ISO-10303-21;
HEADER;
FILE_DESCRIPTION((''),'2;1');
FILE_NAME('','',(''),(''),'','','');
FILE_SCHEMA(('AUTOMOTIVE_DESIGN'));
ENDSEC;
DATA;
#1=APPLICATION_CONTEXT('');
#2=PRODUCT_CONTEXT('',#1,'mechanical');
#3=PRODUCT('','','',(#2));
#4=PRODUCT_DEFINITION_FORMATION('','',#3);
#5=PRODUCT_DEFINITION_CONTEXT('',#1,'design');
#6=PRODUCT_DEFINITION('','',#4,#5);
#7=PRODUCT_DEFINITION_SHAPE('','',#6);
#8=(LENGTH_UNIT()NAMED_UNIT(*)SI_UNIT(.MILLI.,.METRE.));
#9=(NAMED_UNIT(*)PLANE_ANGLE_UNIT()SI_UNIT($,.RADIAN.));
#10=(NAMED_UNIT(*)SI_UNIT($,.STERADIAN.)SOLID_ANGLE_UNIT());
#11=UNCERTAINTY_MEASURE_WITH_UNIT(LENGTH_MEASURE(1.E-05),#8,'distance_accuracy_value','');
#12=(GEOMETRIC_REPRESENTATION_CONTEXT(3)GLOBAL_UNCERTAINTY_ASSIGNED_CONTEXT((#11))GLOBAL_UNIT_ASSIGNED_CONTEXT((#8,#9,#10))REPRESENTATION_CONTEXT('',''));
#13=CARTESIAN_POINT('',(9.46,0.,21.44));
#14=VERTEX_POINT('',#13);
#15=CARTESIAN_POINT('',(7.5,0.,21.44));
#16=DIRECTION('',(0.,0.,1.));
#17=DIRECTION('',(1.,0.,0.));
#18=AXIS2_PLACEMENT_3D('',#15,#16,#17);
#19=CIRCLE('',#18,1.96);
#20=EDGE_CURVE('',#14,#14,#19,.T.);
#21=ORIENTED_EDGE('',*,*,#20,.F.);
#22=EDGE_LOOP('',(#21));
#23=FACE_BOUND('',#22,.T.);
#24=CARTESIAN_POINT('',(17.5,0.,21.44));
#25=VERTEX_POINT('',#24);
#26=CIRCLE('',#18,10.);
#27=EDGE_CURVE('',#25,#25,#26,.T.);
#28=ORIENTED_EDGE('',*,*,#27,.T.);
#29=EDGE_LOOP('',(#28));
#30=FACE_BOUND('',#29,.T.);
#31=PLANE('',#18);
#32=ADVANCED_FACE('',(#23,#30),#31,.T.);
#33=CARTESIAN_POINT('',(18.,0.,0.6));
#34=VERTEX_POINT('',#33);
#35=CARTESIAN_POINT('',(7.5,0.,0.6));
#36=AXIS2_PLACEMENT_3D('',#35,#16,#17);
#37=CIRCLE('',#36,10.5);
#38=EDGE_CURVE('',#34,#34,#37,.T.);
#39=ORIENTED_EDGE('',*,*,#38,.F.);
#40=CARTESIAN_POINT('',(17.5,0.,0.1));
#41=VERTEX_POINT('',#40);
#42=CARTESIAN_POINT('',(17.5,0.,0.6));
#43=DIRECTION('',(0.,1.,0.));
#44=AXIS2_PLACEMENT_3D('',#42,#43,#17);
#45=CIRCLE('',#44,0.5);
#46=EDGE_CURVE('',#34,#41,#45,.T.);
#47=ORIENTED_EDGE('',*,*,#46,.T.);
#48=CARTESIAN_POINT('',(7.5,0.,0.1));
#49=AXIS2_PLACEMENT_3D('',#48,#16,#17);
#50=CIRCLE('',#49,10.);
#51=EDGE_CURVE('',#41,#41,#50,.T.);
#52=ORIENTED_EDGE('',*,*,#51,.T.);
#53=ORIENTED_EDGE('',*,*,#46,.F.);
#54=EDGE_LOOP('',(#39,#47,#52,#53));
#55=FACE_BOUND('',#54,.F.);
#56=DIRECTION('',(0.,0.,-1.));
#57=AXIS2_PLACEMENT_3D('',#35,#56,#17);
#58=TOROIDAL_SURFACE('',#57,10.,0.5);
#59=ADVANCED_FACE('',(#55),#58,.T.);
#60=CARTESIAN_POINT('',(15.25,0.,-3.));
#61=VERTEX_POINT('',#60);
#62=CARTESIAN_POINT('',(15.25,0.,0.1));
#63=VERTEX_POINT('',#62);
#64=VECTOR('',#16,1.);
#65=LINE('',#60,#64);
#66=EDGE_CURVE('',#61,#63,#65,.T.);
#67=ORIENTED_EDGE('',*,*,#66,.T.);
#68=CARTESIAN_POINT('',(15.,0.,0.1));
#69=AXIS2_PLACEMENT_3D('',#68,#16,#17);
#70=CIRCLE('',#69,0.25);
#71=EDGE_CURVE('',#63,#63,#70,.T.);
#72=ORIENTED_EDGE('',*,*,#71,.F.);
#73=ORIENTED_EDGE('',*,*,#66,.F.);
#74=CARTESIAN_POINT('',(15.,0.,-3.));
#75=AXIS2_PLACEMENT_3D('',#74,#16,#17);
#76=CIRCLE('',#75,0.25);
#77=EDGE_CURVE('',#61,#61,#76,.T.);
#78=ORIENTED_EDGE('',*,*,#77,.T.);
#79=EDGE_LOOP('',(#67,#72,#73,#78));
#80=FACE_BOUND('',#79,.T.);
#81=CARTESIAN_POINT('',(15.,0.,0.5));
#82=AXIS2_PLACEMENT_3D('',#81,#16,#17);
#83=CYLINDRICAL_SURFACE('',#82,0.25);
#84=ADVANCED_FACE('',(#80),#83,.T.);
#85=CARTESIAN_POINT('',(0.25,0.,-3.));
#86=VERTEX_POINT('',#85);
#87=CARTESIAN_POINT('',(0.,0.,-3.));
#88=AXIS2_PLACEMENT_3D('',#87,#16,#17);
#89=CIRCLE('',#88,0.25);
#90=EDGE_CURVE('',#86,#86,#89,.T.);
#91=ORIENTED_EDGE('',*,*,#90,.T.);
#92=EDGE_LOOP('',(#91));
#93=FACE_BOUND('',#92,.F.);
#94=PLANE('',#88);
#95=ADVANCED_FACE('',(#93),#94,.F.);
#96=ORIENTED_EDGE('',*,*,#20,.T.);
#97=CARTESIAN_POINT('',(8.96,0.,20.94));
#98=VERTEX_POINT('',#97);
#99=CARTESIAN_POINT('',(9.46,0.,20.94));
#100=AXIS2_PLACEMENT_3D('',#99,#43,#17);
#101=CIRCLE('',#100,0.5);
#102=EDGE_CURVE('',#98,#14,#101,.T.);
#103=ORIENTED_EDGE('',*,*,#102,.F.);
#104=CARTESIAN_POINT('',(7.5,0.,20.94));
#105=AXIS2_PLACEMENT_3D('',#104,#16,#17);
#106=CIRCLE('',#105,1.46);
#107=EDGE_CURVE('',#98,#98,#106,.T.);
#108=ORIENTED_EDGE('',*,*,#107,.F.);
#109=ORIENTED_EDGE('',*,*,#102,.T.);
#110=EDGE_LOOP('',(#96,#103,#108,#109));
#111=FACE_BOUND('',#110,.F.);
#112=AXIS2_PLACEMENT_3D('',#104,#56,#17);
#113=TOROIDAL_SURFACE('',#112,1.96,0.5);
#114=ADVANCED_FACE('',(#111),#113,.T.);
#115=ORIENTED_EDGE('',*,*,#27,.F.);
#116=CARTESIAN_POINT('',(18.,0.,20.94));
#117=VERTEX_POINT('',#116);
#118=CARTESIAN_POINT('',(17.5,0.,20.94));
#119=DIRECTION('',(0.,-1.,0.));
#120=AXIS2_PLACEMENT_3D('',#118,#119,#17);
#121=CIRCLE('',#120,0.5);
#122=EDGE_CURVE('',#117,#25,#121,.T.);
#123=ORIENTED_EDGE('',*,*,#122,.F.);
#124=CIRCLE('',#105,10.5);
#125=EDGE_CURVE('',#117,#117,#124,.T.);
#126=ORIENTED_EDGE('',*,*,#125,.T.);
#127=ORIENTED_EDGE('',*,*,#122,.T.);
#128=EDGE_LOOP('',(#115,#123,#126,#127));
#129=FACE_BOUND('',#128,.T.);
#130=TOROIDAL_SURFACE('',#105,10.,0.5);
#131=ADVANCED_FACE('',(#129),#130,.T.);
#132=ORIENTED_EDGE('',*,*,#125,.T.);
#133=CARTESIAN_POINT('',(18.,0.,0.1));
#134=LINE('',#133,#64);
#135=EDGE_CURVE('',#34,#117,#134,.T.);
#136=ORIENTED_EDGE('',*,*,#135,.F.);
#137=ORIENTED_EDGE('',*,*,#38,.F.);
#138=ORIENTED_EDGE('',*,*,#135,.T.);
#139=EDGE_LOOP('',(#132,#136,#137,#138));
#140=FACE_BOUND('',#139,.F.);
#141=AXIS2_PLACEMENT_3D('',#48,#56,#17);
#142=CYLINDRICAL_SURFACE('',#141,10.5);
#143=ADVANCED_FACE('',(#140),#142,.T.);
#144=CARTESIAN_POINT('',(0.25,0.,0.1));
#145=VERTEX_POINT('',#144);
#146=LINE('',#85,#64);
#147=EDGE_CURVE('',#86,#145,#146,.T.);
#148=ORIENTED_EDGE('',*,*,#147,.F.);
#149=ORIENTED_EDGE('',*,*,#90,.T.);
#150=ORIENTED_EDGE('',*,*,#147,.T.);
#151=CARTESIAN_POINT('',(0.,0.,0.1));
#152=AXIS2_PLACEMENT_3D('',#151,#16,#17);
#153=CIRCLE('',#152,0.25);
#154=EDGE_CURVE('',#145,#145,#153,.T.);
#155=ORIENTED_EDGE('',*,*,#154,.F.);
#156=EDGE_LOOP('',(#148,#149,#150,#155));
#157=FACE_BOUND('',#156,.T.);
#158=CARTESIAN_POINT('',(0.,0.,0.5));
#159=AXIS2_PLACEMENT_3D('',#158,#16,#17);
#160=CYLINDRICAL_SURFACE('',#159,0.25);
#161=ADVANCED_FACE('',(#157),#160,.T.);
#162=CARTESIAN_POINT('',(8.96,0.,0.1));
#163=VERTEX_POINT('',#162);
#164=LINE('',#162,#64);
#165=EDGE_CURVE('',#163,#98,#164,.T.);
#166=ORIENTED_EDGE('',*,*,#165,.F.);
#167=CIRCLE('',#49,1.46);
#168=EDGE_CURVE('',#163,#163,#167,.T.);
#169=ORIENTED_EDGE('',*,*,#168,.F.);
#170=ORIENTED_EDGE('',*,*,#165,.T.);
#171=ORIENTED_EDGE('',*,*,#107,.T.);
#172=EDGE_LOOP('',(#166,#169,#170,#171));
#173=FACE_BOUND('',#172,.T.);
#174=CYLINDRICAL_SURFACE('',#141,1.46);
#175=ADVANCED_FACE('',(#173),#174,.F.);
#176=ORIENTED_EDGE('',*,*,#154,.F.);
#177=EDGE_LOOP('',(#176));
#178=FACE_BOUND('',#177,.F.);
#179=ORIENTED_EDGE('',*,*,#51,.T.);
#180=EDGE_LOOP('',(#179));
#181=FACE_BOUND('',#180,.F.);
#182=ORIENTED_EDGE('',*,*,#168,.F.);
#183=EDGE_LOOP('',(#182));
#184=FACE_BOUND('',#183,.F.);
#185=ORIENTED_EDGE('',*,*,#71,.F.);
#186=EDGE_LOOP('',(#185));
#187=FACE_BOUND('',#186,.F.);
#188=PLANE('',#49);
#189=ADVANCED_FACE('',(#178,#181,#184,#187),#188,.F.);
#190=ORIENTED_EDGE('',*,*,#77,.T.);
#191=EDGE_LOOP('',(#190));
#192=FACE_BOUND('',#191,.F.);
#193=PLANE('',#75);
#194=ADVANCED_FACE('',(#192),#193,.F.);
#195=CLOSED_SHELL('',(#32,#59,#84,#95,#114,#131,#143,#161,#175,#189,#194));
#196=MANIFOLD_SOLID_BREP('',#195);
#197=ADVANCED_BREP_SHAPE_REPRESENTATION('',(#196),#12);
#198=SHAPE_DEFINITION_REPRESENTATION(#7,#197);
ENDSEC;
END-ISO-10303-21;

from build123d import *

# Parameters (mm, degrees)
SKETCH001_R       = 0.25
PAD001_DEPTH      = 10.67
PAD001_DEPTH_BACK = 3.5
SKETCH_R          = 10.5
SKETCH_R_2        = 1.46
PAD_DEPTH         = 21.34
FILLET_R          = 0.5


with BuildPart() as pad001:
    # Sketch001 → Pad001 (new body, two sides)
    with BuildSketch(Plane.XY.offset(0.5)) as pad001_sk:
        Circle(SKETCH001_R)
        with Locations((15, 0)):
            Circle(SKETCH001_R)
    extrude(amount=PAD001_DEPTH)
    extrude(pad001_sk.sketch, amount=-PAD001_DEPTH_BACK)


with BuildPart() as fillet_mp_cp:
    # Sketch → Pad (new body)
    with BuildSketch(Plane.XY.offset(0.1)):
        with Locations((7.5, 0)):
            Circle(SKETCH_R)
        with Locations((7.5, 0)):
            Circle(SKETCH_R_2, mode=Mode.SUBTRACT)
    extrude(amount=PAD_DEPTH)

    # Fillet
    fillet_edges = [fillet_mp_cp.edges().sort_by_distance(p)[0] for p in [
        (6.04, 0, 21.44),
        (-3, 0, 21.44),
        (-3, 0, 0.1),
    ]]
    fillet(fillet_edges, radius=FILLET_R)

    # Fillet_mp_cp: union Pad001
    add(pad001.part)


solid = fillet_mp_cp.part
